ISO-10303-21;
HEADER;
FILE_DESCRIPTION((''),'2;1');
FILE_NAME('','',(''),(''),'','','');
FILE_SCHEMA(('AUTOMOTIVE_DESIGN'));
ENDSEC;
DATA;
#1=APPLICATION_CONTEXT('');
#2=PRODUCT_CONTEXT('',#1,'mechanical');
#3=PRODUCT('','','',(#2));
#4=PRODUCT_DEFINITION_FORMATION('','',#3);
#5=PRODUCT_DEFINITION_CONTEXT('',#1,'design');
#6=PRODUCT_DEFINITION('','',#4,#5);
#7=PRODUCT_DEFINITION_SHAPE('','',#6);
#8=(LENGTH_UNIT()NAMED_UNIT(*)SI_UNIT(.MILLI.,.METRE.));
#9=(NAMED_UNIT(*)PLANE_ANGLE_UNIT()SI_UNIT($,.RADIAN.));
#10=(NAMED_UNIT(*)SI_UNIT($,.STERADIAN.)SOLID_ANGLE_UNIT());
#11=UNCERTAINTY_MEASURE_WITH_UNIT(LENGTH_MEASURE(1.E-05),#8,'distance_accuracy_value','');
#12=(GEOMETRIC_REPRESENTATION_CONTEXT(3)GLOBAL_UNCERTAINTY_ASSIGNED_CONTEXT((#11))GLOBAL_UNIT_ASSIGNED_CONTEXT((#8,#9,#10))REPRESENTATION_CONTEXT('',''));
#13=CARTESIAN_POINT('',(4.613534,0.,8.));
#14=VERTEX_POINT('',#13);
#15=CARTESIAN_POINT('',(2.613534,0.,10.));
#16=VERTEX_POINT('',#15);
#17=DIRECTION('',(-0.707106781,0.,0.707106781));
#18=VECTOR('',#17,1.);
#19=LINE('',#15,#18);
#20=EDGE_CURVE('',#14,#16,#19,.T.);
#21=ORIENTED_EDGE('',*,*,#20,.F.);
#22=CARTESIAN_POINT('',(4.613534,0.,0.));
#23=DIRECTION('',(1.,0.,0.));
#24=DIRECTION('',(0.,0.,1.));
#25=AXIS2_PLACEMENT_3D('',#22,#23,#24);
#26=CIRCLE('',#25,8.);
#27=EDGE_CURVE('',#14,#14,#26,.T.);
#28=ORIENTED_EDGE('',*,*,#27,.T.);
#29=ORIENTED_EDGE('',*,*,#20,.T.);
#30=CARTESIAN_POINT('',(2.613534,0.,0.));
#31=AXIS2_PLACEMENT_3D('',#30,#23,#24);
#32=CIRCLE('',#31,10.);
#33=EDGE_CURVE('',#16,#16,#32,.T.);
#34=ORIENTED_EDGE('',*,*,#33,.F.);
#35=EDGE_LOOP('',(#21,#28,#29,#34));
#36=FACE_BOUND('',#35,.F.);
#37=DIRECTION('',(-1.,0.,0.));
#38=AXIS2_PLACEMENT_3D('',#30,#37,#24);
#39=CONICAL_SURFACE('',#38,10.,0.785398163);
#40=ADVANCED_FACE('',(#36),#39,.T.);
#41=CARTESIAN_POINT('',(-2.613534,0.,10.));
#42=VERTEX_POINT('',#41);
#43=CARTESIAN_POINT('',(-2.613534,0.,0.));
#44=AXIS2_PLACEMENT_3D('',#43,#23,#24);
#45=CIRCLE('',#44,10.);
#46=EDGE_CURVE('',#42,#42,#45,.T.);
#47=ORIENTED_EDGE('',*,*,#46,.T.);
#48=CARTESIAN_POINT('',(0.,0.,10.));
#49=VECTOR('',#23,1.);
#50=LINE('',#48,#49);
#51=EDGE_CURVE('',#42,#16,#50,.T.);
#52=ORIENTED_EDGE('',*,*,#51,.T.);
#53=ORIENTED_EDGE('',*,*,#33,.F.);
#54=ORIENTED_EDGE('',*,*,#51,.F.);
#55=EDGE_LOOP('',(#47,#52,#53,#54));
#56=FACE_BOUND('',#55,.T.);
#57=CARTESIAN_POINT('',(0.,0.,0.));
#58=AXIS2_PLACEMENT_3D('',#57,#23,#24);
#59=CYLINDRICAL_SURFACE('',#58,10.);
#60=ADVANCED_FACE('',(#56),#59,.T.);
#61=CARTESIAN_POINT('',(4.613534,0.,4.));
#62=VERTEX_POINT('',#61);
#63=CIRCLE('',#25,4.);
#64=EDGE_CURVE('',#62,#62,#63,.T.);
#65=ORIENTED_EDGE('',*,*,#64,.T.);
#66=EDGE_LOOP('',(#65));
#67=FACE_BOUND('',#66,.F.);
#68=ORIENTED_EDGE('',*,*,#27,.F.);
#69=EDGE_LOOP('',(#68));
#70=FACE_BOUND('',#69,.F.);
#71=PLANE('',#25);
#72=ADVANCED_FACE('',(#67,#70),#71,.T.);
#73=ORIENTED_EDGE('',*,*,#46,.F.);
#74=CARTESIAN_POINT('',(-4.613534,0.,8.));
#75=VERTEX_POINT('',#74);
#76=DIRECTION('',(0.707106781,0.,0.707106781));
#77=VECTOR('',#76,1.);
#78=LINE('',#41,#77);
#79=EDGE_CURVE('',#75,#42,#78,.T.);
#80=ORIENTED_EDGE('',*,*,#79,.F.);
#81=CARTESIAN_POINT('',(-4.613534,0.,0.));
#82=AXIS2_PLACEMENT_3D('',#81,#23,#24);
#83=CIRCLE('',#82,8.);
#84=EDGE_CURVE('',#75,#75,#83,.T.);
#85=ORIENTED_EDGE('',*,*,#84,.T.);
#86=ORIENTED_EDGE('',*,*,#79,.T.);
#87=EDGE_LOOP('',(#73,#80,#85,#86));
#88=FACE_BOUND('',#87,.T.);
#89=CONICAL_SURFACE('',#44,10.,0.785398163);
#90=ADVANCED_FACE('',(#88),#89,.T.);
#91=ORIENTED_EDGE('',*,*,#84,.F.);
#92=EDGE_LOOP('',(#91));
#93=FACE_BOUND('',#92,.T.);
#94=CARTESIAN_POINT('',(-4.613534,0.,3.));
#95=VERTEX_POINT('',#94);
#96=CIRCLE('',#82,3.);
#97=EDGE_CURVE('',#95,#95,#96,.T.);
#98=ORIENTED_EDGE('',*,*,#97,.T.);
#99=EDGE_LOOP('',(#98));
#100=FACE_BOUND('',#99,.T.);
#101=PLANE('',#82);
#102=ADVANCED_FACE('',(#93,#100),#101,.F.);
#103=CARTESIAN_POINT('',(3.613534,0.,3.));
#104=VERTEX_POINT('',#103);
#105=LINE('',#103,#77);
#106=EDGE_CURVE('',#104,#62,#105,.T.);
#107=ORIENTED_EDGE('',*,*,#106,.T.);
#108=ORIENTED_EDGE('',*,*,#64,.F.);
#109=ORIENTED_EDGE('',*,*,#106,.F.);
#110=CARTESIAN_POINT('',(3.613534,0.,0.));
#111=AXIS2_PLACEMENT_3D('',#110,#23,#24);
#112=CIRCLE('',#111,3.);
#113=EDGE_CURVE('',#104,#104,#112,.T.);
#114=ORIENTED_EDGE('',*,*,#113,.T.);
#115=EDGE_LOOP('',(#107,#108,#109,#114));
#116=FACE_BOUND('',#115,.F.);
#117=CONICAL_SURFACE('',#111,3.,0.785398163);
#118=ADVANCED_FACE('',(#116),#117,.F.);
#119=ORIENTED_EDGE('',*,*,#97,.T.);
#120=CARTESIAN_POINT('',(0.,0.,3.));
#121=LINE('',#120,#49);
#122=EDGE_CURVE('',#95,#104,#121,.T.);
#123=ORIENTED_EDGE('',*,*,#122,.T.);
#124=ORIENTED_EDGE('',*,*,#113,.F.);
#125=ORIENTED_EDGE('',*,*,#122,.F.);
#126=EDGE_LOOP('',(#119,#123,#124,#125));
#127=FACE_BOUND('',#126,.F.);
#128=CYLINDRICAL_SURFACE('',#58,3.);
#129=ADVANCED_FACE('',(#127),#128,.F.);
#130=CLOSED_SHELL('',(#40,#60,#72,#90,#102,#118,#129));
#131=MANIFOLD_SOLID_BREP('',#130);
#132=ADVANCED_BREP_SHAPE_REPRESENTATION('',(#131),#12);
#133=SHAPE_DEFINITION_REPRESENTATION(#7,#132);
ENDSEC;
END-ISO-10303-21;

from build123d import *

# Parameters (mm, degrees)
F0_W    = 9.227068
F0_H    = 7
F2_SIZE = 2
F3_SIZE = 1


with BuildPart() as f1:
    # F0 (on Front) → F1 (revolve)
    with BuildSketch(Plane.XZ):
        with Locations((0, 6.5)):
            Rectangle(F0_W, F0_H)
    revolve(axis=Axis((0.183192, 0, 0), (1, 0, 0)))

    # F2
    f2_edges = [f1.edges().sort_by_distance(p)[0] for p in [
        (-4.613534, 0, -10),
        (4.613534, 0, -10),
    ]]
    chamfer(f2_edges, length=F2_SIZE)

    # F3
    f3_edges = [f1.edges().sort_by_distance(p)[0] for p in [
        (4.613534, 0, -3),
    ]]
    chamfer(f3_edges, length=F3_SIZE)


solid = f1.part
